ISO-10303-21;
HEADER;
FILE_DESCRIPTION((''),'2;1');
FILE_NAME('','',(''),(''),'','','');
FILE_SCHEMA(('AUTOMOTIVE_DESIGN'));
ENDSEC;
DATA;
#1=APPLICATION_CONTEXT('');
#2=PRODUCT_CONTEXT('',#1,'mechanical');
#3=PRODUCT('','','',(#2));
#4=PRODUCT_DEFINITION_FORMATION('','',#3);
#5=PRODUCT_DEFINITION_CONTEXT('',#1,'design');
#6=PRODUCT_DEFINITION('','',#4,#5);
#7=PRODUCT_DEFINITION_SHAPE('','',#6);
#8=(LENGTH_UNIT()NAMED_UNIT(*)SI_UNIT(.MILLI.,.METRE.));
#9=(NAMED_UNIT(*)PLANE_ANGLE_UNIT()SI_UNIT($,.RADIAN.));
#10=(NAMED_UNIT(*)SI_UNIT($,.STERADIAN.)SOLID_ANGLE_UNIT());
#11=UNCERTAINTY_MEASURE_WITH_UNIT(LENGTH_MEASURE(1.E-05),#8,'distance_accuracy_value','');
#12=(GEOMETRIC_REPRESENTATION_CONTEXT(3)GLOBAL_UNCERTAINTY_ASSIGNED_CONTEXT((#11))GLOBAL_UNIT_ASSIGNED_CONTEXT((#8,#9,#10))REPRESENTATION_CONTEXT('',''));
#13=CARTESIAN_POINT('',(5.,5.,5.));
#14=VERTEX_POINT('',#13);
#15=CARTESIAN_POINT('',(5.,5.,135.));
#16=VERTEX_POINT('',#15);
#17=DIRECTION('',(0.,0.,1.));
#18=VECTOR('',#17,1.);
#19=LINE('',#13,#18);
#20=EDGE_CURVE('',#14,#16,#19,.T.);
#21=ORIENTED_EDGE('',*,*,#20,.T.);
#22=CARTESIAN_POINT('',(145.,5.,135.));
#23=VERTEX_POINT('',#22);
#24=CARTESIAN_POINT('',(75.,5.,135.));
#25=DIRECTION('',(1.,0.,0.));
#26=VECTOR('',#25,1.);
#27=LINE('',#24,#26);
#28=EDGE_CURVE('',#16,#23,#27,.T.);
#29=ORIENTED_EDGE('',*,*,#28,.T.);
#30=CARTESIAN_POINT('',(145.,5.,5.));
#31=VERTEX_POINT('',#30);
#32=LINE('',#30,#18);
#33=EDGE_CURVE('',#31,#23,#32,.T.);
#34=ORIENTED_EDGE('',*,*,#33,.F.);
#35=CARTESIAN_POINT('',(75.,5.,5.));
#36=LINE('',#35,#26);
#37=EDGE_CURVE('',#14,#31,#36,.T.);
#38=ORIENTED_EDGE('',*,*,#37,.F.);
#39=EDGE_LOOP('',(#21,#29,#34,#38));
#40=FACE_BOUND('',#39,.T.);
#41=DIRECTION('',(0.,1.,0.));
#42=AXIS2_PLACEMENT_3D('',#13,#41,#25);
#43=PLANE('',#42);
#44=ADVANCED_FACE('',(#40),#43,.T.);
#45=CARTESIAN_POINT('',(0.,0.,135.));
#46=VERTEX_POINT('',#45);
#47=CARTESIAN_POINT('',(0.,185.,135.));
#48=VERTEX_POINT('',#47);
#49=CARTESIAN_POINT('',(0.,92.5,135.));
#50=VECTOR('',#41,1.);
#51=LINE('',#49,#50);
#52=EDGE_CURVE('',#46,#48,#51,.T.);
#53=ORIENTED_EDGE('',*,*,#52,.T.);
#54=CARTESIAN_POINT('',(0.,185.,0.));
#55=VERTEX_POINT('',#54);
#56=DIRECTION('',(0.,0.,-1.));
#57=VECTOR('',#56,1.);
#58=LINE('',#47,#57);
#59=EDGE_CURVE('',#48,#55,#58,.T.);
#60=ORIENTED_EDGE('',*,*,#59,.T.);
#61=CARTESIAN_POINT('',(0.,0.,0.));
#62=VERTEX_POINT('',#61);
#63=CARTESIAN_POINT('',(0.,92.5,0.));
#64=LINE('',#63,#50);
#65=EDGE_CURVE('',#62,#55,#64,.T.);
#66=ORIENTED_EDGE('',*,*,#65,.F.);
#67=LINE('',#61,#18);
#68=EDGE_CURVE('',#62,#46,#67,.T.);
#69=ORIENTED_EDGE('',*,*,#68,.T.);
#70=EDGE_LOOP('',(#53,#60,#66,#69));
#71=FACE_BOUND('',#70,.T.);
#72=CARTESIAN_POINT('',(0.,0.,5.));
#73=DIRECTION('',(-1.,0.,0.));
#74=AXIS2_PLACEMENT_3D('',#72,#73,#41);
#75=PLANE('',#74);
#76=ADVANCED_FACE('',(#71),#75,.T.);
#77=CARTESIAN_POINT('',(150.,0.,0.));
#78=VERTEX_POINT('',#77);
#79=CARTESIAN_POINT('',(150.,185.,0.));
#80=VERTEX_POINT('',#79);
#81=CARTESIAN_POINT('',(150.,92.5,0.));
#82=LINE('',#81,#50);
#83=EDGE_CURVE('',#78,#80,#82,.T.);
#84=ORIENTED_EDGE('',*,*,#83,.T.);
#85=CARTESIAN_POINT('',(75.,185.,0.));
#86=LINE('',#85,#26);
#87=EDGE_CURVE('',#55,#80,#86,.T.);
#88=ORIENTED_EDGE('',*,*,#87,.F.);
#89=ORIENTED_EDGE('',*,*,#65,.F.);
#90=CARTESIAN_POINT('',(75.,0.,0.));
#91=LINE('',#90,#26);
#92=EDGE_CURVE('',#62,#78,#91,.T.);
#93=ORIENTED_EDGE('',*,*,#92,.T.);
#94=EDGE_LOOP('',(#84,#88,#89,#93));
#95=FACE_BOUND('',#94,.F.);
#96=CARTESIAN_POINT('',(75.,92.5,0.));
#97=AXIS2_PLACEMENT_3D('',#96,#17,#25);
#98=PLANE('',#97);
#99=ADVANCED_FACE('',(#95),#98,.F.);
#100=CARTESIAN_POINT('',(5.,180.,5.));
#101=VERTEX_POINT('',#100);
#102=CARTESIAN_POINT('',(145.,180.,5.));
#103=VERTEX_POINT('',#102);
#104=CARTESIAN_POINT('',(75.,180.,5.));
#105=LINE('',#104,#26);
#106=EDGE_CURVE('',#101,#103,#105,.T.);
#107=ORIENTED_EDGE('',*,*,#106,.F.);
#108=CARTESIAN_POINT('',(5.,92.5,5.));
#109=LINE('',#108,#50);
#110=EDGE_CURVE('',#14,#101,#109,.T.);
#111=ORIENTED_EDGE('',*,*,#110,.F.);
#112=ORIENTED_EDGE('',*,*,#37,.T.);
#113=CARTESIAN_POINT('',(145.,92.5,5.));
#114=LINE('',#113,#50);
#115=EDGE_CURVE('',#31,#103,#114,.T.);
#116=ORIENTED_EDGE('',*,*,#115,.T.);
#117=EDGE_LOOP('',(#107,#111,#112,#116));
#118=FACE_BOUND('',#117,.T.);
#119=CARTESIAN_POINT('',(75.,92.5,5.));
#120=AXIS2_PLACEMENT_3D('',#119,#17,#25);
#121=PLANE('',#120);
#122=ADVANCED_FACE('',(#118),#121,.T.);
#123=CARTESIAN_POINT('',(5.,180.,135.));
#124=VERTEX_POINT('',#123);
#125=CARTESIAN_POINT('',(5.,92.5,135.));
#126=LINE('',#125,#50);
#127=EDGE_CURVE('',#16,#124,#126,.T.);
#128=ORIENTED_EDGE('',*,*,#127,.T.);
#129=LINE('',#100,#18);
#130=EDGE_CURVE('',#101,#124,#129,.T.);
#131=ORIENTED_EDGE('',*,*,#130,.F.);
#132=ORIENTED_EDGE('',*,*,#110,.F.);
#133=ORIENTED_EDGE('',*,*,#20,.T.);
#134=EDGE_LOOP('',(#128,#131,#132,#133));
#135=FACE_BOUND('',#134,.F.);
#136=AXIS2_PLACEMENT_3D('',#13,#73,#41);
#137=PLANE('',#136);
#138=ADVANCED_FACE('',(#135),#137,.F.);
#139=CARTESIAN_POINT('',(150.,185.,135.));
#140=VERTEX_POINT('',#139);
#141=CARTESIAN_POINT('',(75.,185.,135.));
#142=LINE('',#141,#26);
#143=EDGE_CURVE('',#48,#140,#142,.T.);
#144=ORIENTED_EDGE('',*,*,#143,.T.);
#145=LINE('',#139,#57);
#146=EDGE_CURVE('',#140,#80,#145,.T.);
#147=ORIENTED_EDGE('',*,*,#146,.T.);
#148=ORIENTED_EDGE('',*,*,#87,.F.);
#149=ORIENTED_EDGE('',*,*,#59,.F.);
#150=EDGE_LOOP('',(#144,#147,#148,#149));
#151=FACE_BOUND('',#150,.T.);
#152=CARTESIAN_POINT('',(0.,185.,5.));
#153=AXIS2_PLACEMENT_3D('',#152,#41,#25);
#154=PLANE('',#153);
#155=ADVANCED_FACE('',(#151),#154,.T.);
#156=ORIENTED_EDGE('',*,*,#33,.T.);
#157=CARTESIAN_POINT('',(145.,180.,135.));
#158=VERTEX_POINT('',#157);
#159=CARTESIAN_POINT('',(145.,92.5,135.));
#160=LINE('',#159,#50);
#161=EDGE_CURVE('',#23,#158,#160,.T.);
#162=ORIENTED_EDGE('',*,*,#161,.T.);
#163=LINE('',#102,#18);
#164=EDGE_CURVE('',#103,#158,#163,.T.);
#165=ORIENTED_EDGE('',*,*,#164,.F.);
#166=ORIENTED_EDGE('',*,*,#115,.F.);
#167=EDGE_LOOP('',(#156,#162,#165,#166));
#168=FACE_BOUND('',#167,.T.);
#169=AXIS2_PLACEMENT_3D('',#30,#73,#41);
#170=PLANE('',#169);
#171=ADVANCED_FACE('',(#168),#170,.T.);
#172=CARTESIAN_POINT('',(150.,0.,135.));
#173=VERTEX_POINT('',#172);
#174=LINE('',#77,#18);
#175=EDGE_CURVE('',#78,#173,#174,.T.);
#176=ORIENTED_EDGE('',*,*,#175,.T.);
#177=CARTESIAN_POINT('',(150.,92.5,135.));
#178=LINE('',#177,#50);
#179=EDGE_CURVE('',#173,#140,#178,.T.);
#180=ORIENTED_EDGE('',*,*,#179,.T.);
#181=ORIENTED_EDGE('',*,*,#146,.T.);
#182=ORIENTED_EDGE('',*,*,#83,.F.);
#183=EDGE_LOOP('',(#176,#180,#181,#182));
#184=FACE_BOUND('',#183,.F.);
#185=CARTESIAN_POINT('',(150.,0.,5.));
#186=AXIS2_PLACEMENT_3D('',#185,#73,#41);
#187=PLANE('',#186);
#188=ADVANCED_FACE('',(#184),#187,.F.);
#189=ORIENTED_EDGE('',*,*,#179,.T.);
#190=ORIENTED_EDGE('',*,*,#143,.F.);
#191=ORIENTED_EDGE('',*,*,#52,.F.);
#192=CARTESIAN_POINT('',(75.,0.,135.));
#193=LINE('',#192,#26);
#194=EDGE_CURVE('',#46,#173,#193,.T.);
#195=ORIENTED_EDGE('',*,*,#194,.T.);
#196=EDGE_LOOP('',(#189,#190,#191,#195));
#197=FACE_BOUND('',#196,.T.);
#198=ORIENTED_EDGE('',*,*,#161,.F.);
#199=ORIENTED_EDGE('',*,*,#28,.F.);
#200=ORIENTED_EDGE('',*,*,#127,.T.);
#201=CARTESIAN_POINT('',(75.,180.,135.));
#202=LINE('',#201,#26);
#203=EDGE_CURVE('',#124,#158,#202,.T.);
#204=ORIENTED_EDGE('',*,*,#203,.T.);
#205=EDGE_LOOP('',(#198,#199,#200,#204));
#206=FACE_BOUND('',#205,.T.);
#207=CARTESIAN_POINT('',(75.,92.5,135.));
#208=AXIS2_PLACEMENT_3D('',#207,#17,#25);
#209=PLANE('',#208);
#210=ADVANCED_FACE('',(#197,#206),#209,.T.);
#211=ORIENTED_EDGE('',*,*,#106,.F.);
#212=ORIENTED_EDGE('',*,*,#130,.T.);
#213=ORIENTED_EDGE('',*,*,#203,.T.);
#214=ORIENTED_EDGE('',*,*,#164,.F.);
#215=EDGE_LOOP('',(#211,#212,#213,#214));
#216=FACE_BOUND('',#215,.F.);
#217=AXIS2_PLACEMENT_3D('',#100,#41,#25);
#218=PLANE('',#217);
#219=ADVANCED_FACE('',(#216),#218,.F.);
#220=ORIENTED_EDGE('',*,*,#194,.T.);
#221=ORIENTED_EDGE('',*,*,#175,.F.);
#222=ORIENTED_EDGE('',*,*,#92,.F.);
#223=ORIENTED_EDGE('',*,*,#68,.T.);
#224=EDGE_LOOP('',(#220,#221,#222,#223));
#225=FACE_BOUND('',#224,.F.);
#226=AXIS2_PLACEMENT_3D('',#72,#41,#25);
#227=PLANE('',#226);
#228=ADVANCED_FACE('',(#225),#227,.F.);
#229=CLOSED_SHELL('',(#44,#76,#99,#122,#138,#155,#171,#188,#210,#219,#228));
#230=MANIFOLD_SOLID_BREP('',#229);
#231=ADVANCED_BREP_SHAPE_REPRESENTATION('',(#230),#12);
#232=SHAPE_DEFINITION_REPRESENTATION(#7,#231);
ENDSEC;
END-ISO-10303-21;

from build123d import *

# Parameters (mm, degrees)
SKETCH004_W   = 150
SKETCH004_H   = 185
PAD003_DEPTH  = 5
SKETCH005_W   = 150
SKETCH005_H   = 185
SKETCH005_W_2 = 140
SKETCH005_H_2 = 175
PAD004_DEPTH  = 130


with BuildPart() as part:
    # Sketch004 → Pad003 (new body)
    with BuildSketch(Plane.XY):
        with Locations((75, 92.5)):
            Rectangle(SKETCH004_W, SKETCH004_H)
    extrude(amount=PAD003_DEPTH)

    # Sketch005 → Pad004 (new body)
    with BuildSketch(Plane.XY.offset(5)):
        with Locations((75, 92.5)):
            Rectangle(SKETCH005_W, SKETCH005_H)
        with Locations((75, 92.5)):
            Rectangle(SKETCH005_W_2, SKETCH005_H_2, mode=Mode.SUBTRACT)
    extrude(amount=PAD004_DEPTH)


solid = part.part
